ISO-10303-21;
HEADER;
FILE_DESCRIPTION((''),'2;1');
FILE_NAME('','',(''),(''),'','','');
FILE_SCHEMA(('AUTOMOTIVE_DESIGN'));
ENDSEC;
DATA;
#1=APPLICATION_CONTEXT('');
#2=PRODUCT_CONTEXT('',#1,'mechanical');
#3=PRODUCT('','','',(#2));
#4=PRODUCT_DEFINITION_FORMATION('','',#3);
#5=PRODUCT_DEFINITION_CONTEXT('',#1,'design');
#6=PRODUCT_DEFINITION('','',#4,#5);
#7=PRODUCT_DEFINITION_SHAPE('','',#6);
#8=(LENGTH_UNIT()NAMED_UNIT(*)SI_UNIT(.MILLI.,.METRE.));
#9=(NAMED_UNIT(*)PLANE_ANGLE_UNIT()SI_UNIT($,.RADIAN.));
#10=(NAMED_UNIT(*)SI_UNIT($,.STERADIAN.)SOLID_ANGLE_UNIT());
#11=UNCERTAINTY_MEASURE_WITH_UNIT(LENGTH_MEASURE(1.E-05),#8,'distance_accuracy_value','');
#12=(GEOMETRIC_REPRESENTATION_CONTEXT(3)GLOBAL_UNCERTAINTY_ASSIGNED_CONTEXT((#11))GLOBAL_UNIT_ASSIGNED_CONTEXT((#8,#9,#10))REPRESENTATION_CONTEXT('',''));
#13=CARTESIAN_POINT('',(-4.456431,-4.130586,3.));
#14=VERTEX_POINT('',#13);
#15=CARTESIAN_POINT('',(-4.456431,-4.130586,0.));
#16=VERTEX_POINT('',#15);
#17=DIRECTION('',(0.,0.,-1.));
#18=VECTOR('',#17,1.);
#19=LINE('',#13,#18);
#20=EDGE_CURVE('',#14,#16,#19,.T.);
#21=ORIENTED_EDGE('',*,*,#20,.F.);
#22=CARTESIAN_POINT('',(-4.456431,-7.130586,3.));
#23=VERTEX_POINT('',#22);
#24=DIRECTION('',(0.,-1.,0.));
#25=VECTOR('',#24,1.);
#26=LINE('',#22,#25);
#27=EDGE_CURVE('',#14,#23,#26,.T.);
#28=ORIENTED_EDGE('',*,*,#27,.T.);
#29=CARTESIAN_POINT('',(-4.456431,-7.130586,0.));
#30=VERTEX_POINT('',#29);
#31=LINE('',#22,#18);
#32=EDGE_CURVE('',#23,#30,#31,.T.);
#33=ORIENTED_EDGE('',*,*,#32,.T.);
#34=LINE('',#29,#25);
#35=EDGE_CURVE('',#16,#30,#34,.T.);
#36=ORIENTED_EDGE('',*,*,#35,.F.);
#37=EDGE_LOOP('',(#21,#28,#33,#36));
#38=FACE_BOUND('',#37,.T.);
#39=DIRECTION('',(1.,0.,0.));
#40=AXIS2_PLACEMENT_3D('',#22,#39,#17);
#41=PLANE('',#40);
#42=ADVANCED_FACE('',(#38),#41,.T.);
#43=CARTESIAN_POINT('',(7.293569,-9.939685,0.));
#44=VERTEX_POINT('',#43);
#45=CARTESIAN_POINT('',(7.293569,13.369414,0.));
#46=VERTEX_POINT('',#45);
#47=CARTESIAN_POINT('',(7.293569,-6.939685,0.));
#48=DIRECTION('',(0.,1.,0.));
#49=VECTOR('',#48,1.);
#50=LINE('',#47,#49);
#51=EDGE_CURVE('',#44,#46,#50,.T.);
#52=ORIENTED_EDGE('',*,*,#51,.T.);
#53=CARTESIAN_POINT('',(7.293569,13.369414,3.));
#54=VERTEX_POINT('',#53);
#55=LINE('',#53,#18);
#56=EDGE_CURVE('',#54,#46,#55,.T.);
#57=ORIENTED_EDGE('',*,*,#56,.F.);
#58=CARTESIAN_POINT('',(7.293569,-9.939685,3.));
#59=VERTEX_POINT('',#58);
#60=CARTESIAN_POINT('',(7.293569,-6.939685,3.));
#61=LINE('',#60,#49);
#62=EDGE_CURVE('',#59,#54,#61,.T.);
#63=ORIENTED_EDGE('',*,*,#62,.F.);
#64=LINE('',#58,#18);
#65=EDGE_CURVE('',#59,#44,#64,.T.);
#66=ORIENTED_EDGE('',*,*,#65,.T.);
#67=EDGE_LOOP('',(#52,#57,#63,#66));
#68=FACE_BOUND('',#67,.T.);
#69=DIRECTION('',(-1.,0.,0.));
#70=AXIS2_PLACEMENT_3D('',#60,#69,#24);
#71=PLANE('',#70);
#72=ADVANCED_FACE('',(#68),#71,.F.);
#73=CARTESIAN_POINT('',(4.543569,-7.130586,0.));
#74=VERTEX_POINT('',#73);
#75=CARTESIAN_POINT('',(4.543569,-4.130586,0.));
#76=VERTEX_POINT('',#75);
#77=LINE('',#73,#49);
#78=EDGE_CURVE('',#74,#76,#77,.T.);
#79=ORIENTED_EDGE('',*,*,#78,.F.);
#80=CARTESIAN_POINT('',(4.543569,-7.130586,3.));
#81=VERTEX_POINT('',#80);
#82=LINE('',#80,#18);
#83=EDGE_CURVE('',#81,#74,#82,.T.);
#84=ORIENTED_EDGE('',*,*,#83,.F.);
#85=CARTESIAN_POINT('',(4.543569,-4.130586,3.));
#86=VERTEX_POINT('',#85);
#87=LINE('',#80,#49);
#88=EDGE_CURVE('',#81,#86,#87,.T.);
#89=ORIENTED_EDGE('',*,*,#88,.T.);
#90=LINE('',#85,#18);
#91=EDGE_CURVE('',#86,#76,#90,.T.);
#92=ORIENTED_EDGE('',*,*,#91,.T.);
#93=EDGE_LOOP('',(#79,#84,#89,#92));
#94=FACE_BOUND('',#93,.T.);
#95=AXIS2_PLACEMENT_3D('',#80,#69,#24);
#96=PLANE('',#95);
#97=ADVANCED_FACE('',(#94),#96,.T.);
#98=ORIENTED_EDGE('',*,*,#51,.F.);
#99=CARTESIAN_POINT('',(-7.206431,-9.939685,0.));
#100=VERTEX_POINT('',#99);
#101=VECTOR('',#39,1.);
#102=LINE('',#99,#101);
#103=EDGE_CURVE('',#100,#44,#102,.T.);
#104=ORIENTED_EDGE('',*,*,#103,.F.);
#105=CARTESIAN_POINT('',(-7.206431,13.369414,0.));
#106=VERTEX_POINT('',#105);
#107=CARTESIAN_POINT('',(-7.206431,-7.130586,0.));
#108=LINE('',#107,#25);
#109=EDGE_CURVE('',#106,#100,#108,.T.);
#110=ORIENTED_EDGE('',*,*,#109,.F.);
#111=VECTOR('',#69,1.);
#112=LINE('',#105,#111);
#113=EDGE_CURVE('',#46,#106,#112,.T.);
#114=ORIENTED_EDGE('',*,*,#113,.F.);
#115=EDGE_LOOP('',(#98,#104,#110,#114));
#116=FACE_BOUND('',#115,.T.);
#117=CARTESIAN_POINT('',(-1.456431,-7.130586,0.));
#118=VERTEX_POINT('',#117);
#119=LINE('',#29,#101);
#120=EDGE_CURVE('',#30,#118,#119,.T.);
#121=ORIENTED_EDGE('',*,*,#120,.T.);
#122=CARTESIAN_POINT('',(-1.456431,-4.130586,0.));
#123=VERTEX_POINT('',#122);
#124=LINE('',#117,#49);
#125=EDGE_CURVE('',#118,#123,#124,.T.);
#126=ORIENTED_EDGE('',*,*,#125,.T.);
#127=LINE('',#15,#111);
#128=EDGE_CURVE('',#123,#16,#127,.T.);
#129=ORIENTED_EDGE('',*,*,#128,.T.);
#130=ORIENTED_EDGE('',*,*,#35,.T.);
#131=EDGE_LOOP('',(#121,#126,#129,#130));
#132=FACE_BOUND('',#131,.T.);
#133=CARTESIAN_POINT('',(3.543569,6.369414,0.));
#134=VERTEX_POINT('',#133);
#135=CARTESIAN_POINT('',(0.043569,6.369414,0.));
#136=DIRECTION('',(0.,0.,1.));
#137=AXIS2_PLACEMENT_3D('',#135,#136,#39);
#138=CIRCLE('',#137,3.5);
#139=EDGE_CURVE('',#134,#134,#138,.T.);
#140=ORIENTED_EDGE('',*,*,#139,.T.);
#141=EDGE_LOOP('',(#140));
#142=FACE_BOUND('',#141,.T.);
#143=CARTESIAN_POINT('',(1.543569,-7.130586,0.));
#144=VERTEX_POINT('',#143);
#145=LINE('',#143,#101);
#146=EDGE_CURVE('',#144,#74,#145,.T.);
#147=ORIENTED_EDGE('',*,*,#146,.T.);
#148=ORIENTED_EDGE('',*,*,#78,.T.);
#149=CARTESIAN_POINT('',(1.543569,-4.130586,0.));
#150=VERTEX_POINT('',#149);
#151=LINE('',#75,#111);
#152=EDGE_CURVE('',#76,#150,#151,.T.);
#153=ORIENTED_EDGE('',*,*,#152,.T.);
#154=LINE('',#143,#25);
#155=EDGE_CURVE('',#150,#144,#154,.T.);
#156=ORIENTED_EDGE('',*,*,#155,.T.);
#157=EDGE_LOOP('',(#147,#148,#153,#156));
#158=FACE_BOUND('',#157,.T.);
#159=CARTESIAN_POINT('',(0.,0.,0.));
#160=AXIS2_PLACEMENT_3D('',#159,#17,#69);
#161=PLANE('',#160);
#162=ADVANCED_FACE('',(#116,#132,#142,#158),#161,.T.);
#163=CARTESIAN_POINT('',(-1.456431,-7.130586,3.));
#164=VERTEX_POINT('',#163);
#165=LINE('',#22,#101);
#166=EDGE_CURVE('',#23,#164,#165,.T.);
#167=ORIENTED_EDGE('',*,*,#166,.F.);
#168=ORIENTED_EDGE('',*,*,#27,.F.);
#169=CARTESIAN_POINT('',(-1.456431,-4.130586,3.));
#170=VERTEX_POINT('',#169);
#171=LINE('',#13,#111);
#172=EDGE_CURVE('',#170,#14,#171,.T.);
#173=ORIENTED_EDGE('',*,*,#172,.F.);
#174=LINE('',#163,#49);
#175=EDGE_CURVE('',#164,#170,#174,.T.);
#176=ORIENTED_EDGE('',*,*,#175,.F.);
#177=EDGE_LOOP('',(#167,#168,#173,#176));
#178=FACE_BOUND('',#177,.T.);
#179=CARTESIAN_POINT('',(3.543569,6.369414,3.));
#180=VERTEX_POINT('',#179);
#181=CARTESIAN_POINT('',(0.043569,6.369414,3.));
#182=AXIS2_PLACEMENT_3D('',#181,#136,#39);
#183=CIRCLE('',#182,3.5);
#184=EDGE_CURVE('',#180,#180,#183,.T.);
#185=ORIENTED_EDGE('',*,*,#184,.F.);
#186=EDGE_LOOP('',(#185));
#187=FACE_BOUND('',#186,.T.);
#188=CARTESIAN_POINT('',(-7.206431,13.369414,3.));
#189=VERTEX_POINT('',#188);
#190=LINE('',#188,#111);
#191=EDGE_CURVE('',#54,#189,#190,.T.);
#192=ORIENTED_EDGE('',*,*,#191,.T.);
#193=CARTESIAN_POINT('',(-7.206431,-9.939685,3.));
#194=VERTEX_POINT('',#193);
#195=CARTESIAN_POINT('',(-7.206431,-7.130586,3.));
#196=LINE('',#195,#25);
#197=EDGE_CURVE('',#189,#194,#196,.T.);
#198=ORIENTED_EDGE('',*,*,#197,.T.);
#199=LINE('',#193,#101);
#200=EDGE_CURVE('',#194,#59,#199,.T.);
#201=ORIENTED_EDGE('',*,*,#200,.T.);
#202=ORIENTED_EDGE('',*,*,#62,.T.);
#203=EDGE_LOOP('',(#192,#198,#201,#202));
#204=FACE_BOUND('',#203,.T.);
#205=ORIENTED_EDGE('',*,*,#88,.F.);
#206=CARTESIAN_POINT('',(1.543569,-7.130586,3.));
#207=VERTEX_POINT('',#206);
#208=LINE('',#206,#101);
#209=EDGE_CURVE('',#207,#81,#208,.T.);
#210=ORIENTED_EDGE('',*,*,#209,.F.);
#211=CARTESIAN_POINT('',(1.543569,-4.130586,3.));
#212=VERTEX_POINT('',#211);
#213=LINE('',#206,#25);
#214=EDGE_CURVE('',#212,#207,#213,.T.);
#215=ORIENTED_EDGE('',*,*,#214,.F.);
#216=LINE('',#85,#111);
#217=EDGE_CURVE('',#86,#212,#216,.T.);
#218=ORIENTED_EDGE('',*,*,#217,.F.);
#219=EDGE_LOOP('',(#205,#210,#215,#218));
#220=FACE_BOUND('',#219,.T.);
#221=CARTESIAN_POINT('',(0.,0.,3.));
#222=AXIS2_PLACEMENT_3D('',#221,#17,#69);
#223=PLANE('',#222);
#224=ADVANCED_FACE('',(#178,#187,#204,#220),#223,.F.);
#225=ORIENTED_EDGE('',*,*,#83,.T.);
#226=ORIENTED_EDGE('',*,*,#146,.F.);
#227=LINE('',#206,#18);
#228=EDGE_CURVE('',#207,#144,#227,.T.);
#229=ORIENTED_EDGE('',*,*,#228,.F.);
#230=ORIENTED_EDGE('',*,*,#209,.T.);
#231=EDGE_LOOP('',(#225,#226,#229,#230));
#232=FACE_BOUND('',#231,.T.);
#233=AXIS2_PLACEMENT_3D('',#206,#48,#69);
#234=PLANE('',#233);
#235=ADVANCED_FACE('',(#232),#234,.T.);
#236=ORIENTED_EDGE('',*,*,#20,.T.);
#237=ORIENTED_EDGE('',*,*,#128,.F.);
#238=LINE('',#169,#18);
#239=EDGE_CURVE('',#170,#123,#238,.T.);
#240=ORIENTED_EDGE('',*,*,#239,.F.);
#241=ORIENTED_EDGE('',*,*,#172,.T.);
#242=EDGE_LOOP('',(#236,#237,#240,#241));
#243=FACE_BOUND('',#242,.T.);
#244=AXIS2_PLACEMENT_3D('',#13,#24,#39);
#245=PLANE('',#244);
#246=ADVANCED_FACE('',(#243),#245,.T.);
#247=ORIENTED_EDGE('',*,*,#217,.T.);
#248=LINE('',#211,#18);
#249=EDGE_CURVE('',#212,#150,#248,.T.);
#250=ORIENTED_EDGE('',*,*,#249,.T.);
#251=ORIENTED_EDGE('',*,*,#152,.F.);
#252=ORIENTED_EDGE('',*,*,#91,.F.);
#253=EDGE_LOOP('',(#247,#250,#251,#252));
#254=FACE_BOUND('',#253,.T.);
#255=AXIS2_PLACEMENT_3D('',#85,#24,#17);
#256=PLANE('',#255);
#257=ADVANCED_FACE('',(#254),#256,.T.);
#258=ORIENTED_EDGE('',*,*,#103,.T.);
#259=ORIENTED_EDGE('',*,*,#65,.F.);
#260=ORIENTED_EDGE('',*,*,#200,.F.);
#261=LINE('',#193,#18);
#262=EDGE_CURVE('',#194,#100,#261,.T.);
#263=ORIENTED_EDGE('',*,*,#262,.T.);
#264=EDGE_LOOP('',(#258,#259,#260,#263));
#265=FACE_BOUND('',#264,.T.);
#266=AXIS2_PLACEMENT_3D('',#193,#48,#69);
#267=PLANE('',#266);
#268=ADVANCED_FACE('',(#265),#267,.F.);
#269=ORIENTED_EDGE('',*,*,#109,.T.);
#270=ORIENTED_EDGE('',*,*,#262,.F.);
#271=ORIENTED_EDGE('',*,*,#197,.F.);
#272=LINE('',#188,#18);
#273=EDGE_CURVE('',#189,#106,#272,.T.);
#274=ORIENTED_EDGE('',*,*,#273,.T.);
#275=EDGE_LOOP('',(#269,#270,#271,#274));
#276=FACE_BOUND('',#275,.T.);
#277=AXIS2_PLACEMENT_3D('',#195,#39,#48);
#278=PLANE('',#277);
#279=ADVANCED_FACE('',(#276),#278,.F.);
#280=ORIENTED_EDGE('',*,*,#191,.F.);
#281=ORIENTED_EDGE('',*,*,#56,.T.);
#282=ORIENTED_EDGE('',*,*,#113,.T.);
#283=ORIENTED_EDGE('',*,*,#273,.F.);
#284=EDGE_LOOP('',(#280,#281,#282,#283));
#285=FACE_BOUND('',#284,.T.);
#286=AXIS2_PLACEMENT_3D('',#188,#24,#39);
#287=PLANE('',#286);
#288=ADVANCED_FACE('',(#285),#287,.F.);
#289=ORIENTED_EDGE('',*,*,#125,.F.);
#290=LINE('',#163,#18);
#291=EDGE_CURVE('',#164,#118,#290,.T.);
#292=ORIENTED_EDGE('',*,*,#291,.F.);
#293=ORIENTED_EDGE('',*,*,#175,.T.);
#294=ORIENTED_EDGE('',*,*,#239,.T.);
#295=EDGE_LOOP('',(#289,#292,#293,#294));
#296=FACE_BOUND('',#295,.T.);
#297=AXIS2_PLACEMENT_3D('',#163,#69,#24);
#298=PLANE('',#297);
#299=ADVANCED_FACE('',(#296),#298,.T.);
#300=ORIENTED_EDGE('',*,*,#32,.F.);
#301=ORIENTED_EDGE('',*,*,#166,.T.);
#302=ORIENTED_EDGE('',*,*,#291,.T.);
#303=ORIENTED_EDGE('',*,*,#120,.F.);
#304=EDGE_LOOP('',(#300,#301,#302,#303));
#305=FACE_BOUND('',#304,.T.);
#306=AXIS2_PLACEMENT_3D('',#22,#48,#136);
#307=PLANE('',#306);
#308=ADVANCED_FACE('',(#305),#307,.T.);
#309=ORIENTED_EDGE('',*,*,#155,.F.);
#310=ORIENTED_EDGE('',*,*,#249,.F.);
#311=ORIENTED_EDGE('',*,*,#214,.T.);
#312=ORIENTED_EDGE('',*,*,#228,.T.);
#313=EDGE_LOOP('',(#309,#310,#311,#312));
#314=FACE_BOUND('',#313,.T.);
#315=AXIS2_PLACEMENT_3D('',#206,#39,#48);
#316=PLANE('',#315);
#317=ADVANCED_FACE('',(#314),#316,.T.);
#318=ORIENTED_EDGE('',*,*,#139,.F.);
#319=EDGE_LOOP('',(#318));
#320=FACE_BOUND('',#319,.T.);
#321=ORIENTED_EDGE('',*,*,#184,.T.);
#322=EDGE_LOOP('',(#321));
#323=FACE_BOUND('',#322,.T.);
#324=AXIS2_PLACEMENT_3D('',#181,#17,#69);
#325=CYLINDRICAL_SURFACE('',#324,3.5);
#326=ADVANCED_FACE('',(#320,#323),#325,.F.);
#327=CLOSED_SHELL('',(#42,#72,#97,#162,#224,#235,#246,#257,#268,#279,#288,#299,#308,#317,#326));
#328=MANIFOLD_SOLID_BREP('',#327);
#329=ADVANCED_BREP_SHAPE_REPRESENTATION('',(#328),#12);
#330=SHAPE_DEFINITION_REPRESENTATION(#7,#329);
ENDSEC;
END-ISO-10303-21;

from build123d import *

# Parameters (mm, degrees)
SKETCH1_R           = 3.5
SKETCH1_W           = 3
SKETCH1_H           = 3
BOSS_EXTRUDE1_DEPTH = 3


with BuildPart() as part:
    # Sketch1 → Boss-Extrude1 (new body)
    with BuildSketch(Plane.XY):
        Polygon((-7.206431168, -7.130585607), (-7.206431168, 13.369414393), (7.293568832, 13.369414393), (7.293568832, -6.939685402), (7.293568832, -9.939685402), (-7.206431168, -9.939685402), align=None)
        with Locations((0.043568832, 6.369414393)):
            Circle(SKETCH1_R, mode=Mode.SUBTRACT)
        with Locations((-2.956431168, -5.630585607)):
            Rectangle(SKETCH1_W, SKETCH1_H, mode=Mode.SUBTRACT)
        with Locations((3.043568832, -5.630585607)):
            Rectangle(SKETCH1_W, SKETCH1_H, mode=Mode.SUBTRACT)
    extrude(amount=BOSS_EXTRUDE1_DEPTH)


solid = part.part
